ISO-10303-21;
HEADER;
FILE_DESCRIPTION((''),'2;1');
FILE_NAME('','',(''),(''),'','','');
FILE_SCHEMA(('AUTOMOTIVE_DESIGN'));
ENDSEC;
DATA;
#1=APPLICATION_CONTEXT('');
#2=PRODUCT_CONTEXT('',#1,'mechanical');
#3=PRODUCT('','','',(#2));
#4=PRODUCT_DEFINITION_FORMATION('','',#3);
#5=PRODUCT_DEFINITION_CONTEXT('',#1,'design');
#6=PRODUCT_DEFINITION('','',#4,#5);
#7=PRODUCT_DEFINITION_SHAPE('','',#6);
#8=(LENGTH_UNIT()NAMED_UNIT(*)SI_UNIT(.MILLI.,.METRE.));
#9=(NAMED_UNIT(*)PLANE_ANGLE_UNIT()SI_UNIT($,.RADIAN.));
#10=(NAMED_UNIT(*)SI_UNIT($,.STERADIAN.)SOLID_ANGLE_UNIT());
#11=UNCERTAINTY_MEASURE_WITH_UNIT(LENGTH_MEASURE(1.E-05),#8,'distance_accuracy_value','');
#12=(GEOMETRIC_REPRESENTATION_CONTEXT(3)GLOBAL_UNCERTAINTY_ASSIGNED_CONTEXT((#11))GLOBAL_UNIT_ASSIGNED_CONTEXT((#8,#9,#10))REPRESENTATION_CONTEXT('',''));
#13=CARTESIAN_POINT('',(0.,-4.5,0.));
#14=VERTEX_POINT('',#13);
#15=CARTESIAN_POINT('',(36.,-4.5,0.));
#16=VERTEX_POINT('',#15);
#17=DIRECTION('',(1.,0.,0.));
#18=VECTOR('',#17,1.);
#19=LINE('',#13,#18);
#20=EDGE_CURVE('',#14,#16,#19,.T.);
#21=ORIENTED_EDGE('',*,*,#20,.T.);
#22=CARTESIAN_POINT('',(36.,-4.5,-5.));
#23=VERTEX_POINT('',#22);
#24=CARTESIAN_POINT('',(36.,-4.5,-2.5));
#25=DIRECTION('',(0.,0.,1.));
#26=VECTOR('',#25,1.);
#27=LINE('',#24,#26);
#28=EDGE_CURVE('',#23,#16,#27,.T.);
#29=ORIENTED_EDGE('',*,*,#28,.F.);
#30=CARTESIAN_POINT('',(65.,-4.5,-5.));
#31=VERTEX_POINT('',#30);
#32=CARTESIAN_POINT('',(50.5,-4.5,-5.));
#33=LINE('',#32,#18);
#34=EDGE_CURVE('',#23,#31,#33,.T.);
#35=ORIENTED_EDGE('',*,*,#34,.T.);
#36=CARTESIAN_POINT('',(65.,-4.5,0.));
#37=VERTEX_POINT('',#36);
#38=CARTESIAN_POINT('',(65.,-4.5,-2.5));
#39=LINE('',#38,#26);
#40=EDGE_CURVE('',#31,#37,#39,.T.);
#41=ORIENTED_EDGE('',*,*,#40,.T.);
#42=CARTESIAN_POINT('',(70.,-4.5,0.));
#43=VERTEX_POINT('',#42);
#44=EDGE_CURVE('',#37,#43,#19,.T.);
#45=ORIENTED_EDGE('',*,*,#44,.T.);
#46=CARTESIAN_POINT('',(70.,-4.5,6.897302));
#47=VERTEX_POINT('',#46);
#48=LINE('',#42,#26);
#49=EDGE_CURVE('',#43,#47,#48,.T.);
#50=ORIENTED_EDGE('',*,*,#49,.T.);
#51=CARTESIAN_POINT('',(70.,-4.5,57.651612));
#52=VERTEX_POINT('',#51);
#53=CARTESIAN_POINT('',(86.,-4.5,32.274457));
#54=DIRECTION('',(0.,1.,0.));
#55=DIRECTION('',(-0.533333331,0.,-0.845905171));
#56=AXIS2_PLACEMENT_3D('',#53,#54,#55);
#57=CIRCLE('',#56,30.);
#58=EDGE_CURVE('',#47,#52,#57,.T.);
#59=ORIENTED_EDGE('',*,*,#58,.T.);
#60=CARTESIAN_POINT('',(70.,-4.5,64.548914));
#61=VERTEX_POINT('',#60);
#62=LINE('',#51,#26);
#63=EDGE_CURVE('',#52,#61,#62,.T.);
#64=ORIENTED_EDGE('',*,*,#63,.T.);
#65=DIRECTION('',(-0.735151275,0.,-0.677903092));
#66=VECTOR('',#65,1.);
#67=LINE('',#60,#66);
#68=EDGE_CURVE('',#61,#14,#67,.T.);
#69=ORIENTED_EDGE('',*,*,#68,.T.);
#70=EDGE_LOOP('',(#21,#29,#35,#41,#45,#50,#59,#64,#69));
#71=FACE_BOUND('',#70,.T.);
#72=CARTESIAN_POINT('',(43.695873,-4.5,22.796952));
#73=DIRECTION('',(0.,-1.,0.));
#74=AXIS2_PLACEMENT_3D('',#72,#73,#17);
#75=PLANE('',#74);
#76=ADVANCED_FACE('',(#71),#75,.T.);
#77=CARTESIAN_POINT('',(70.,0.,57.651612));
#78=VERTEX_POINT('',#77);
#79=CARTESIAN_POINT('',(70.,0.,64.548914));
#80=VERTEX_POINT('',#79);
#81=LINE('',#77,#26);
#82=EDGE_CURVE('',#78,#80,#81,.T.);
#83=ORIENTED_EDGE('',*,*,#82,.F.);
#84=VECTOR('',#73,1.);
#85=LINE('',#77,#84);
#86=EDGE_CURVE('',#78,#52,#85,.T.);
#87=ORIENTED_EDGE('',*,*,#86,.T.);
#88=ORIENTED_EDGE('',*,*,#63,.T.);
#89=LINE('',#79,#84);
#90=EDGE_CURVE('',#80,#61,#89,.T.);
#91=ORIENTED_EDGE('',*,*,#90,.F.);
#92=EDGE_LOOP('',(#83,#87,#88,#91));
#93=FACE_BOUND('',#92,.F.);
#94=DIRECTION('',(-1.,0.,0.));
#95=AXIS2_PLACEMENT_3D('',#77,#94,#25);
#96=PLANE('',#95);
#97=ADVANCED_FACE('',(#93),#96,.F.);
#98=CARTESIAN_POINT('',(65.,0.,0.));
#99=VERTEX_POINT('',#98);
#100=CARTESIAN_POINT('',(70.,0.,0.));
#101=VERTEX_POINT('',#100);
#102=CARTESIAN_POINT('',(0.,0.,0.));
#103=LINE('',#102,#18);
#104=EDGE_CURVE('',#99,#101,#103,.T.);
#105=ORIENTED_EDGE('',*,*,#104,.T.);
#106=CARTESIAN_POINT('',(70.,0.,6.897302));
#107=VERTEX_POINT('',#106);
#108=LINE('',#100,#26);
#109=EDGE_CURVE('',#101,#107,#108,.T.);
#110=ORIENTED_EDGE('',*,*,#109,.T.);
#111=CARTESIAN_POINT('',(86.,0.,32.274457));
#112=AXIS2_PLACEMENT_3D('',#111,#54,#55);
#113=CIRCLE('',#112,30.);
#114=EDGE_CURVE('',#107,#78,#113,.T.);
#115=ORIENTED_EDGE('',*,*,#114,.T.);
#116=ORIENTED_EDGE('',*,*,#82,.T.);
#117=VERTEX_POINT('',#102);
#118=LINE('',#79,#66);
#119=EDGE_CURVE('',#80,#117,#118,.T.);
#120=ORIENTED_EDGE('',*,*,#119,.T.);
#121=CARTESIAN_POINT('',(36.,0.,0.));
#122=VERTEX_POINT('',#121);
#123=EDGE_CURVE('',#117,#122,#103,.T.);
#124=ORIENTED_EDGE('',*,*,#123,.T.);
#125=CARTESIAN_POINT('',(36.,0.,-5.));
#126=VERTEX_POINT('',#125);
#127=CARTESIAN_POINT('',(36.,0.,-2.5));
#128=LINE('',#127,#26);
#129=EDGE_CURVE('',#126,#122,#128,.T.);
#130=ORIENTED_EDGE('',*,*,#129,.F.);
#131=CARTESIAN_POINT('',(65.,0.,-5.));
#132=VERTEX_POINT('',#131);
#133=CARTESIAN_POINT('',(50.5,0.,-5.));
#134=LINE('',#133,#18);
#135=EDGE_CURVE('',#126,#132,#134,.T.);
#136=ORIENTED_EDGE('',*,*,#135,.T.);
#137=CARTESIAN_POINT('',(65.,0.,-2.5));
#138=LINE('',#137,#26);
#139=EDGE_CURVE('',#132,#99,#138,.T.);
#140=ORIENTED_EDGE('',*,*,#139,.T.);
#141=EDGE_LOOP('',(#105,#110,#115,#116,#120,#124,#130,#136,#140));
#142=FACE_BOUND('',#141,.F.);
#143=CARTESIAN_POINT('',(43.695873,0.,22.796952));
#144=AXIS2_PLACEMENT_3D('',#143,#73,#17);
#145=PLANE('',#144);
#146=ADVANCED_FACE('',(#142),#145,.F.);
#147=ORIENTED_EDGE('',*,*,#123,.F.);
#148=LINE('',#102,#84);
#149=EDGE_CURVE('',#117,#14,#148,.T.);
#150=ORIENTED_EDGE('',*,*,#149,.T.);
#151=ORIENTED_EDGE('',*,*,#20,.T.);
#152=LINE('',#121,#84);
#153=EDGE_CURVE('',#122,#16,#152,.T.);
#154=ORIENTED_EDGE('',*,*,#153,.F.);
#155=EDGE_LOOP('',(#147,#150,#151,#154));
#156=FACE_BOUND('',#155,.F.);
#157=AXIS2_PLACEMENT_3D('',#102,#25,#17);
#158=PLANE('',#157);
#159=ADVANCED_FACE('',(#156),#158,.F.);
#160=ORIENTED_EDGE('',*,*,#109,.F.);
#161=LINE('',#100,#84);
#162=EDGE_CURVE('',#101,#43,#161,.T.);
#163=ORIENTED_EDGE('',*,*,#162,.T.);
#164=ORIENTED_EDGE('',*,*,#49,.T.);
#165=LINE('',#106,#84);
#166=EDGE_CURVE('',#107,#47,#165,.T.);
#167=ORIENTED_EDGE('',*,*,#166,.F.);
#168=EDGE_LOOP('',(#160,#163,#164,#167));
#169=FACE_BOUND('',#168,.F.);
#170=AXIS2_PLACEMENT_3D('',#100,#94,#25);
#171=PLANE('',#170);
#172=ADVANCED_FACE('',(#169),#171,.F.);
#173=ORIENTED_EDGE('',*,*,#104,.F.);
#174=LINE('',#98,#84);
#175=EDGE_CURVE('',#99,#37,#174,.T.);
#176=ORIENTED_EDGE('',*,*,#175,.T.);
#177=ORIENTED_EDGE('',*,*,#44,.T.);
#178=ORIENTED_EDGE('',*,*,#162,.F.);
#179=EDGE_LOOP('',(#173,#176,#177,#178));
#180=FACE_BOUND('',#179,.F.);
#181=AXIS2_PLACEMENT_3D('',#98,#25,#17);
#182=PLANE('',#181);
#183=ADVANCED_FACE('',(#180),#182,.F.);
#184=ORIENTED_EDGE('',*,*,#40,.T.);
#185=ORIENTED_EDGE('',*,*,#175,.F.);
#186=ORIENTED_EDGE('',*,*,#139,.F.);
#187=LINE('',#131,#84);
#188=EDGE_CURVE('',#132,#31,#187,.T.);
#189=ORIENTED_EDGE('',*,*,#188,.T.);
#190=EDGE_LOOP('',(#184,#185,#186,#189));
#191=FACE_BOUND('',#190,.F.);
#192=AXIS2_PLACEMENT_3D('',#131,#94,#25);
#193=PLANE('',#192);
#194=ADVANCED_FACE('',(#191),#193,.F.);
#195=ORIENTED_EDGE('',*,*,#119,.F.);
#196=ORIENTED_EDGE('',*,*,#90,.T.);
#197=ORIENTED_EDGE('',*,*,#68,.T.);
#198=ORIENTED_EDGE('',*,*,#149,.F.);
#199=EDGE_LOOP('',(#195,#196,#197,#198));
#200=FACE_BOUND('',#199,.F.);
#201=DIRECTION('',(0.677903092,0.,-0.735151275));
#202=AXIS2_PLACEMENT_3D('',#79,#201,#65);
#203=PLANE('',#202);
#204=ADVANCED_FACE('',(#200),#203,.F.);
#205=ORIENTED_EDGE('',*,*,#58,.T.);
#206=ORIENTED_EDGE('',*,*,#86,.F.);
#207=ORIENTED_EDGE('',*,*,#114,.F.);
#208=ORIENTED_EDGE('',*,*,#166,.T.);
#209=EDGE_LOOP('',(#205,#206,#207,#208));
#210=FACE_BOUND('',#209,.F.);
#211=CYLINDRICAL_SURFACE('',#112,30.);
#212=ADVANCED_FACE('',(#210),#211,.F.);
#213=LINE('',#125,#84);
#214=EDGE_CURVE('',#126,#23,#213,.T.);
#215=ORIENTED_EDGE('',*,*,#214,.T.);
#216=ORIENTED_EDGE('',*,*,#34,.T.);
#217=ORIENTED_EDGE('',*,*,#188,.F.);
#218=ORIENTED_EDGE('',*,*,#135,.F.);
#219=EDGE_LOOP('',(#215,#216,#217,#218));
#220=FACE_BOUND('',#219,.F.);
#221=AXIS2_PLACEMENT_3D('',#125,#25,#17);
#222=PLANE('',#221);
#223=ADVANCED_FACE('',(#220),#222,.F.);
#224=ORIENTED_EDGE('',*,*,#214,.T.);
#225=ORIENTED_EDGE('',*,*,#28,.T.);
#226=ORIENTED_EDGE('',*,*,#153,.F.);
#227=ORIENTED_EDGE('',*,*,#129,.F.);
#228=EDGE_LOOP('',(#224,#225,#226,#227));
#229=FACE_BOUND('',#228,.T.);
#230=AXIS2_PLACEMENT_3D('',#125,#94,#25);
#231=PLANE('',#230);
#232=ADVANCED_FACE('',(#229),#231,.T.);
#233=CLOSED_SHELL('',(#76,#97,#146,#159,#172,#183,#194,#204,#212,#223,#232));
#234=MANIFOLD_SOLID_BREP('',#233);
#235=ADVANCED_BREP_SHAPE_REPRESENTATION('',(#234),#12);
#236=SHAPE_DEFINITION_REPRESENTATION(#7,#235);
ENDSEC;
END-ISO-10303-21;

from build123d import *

# Parameters (mm, degrees)
F0_W     = 29
F0_H     = 5
F1_DEPTH = 4.5


with BuildPart() as f1:
    # F0 (on Front) → F1 (new body)
    with BuildSketch(Plane.XZ):
        with BuildLine():
            Line((70, 64.548914), (0, 0))
            Line((0, 0), (36, 0))
            Line((36, 0), (65, 0))
            Line((65, 0), (70, 0))
            Line((70, 0), (70, 6.897302))
            ThreePointArc((70, 6.897302), (56, 32.274457), (70, 57.651612))
            Line((70, 57.651612), (70, 64.548914))
        make_face()
        with Locations((50.5, -2.5)):
            Rectangle(F0_W, F0_H)
    extrude(amount=F1_DEPTH)


solid = f1.part
